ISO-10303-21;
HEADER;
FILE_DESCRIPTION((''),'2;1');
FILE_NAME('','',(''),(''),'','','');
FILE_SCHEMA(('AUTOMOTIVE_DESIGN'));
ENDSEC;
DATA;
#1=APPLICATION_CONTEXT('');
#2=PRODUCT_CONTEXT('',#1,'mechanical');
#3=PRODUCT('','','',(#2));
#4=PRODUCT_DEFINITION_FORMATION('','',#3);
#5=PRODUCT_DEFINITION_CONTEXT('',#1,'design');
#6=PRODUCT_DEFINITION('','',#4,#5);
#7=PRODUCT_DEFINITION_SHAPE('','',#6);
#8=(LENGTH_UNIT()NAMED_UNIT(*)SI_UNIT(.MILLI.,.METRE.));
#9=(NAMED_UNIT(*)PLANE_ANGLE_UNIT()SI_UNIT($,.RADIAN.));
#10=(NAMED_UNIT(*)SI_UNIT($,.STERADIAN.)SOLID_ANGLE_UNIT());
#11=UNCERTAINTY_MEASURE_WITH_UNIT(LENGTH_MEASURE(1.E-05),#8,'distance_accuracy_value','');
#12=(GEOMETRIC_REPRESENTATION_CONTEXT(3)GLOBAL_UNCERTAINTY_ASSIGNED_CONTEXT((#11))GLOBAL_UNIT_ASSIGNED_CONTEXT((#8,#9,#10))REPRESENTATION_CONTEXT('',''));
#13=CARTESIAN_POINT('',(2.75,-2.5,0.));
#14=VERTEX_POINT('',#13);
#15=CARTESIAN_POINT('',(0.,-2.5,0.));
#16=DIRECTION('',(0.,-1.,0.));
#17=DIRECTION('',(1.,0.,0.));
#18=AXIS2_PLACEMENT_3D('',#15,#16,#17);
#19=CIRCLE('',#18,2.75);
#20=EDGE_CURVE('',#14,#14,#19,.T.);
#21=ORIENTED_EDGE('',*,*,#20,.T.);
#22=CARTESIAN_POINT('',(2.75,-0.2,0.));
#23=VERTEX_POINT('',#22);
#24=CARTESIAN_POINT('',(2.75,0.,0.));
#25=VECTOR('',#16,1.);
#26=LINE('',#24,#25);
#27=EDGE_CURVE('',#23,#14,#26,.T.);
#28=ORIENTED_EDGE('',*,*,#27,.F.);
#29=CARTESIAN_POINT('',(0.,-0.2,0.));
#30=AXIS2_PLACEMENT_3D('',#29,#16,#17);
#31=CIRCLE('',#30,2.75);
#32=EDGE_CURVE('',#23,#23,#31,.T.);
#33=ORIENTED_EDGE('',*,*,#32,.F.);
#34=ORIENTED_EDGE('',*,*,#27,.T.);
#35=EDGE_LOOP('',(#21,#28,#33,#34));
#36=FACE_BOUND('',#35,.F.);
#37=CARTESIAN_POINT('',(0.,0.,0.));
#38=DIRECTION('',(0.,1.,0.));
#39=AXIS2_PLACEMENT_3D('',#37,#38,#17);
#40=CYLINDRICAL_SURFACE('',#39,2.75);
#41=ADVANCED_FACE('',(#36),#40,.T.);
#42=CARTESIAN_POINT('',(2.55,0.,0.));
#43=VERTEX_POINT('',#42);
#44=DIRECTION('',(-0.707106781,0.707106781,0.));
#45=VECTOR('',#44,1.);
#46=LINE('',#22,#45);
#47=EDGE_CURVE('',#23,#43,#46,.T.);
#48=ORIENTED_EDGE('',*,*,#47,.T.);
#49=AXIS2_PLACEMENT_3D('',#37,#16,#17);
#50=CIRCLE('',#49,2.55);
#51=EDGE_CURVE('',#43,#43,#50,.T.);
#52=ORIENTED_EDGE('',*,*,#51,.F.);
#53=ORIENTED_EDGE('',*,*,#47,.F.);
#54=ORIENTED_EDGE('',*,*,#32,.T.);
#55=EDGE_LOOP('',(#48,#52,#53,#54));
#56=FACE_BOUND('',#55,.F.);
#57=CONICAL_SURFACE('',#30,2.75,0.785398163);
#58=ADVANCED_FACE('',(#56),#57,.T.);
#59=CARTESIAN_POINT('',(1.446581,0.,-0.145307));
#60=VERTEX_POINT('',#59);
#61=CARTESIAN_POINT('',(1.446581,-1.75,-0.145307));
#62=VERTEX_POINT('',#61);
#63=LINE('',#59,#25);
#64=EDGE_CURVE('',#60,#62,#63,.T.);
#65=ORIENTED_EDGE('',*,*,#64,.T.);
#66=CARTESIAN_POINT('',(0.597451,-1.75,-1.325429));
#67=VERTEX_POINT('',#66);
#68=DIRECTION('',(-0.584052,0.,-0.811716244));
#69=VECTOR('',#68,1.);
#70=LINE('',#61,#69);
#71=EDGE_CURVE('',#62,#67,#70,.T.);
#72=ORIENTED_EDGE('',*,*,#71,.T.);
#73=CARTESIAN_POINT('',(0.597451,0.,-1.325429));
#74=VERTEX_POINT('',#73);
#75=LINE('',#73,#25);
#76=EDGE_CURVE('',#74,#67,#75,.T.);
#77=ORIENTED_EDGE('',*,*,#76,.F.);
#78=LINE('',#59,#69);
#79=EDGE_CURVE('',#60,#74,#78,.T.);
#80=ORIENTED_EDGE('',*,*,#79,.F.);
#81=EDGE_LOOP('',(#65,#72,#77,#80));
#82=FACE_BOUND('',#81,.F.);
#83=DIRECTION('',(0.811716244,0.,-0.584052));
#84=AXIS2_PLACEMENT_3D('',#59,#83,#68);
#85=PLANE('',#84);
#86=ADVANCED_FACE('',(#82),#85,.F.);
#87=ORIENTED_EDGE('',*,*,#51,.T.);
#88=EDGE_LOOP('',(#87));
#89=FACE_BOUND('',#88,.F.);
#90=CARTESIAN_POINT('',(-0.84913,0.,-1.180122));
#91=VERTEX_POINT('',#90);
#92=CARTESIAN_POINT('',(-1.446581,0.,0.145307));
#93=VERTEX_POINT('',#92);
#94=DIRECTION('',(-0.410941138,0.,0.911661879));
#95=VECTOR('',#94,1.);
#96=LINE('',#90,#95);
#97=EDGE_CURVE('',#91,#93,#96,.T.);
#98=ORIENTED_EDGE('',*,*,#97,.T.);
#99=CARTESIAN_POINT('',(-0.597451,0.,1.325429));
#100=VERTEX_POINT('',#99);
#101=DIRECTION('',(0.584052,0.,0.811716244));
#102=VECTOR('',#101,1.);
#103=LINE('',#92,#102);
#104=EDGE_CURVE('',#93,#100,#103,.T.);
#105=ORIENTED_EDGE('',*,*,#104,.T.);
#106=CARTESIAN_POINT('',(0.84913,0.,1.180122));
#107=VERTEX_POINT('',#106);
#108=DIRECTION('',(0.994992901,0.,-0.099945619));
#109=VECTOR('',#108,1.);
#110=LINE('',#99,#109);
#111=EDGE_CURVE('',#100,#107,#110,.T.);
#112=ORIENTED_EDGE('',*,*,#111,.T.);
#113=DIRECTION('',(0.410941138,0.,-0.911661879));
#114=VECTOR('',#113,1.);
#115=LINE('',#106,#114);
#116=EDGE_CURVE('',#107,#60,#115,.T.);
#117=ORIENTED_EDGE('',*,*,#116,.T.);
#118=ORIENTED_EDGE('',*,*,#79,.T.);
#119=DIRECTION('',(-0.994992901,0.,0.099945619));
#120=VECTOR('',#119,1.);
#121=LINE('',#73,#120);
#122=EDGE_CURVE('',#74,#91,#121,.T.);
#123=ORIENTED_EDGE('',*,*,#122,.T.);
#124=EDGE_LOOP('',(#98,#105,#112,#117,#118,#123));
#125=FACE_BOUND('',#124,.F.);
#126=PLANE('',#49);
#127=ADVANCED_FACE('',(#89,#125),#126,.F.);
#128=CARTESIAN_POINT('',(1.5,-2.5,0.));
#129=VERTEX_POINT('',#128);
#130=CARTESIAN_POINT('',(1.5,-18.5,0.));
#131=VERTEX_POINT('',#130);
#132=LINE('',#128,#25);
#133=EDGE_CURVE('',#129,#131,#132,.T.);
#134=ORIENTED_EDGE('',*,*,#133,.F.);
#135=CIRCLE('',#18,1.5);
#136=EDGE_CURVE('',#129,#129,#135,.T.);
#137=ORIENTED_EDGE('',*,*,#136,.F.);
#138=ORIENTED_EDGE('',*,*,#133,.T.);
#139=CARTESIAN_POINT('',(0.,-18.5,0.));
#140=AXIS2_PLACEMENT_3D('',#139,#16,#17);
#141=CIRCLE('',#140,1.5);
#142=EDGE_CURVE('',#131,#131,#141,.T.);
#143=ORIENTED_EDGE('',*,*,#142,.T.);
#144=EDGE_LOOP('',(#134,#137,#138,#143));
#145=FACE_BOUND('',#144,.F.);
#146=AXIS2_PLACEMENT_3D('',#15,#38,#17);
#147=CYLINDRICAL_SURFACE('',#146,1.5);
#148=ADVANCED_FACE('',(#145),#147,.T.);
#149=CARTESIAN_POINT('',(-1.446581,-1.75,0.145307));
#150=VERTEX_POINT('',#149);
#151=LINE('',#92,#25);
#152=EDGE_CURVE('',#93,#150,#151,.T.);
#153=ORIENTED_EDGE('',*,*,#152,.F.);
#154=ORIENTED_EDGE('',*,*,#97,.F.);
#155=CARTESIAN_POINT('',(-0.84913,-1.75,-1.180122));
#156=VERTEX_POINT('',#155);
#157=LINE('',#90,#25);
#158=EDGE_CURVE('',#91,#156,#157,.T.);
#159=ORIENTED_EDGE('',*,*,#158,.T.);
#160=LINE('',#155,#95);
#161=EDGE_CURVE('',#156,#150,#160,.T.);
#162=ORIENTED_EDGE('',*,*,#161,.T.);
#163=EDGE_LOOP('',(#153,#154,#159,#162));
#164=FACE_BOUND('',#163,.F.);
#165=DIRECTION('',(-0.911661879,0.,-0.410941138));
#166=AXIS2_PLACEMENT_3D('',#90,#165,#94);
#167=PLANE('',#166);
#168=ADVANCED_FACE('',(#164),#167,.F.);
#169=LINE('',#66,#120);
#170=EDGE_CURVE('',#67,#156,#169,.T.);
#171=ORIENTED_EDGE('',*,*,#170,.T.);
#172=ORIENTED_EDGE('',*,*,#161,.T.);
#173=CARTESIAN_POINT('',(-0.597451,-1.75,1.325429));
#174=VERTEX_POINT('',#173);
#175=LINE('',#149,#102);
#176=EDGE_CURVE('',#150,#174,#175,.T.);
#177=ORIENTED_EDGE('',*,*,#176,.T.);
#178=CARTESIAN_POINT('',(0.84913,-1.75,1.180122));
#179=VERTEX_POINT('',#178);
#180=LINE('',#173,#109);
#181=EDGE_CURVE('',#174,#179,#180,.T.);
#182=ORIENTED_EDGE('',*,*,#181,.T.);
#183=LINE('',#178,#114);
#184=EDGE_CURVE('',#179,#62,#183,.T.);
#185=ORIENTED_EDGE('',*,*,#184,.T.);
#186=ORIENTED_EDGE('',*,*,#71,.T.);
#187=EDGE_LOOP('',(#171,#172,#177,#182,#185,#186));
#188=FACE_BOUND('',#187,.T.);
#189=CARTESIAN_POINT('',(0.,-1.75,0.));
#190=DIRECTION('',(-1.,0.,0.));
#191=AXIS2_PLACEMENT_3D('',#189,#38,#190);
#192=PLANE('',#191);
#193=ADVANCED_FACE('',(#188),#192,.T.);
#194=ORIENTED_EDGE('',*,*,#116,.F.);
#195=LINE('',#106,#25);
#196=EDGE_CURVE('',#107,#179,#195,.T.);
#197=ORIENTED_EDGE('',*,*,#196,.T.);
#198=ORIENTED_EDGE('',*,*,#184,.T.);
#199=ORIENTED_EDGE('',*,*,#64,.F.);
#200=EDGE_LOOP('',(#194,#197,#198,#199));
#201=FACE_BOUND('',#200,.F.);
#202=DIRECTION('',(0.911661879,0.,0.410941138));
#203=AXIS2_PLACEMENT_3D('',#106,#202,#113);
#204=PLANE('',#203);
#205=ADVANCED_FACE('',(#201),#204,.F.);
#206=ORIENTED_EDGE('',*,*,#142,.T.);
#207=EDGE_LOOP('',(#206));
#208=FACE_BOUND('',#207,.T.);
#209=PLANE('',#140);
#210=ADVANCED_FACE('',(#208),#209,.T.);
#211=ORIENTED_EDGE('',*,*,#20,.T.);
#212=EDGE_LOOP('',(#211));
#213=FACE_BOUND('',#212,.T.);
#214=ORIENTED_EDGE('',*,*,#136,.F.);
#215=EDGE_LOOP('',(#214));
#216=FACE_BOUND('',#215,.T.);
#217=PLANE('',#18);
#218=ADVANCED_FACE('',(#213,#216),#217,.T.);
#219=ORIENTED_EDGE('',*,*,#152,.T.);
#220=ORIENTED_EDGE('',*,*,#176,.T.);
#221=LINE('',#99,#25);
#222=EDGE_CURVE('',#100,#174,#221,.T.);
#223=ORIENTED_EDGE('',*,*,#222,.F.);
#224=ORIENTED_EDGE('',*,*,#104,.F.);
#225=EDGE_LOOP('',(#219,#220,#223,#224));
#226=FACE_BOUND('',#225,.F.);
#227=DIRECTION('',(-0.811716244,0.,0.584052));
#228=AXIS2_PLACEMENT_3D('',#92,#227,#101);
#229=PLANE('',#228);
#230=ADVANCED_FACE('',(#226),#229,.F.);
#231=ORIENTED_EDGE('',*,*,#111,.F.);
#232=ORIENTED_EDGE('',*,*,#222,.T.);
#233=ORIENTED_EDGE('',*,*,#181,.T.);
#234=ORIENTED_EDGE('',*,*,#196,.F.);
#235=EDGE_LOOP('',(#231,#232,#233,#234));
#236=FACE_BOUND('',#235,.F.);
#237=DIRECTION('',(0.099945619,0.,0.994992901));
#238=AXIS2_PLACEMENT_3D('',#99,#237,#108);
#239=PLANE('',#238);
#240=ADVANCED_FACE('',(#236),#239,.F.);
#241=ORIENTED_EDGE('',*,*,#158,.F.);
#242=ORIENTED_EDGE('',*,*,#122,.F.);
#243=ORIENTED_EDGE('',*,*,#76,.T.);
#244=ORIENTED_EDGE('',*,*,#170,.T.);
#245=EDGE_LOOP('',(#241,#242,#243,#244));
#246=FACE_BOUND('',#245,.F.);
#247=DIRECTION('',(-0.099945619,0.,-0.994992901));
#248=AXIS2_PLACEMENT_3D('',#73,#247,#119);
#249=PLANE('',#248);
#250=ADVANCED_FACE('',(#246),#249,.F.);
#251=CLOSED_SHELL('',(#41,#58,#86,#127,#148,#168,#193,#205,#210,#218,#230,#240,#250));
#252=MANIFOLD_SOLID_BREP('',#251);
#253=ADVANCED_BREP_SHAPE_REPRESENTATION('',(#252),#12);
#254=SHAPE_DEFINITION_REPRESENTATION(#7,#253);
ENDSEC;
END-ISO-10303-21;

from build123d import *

# Parameters (mm, degrees)
F0_R     = 2.75
F1_DEPTH = 2.5
F3_DEPTH = 1.75
F4_SIZE  = 0.2
F5_R     = 1.5
F6_DEPTH = 16


with BuildPart() as f1:
    # F0 (on Front) → F1 (new body)
    with BuildSketch(Plane.XZ):
        Circle(F0_R)
    extrude(amount=F1_DEPTH)

    # F2 (on face) → F3 (cut)
    with BuildSketch(Plane(origin=(0, 0, 0), x_dir=(-1, 0, 0), z_dir=(0, 1, 0))):
        Polygon((1.446581, 0.145307), (0.597451, 1.325429), (-0.84913, 1.180122), (-1.446581, -0.145307), (-0.597451, -1.325429), (0.84913, -1.180122), align=None)
    extrude(amount=-F3_DEPTH, mode=Mode.SUBTRACT)

    # F4
    f4_edges = [f1.edges().sort_by_distance(p)[0] for p in [
        (-2.75, 0, 0),
    ]]
    chamfer(f4_edges, length=F4_SIZE)

    # F5 (on face) → F6 (join)
    with BuildSketch(Plane.XZ.offset(2.5)):
        Circle(F5_R)
    extrude(amount=F6_DEPTH)


solid = f1.part
